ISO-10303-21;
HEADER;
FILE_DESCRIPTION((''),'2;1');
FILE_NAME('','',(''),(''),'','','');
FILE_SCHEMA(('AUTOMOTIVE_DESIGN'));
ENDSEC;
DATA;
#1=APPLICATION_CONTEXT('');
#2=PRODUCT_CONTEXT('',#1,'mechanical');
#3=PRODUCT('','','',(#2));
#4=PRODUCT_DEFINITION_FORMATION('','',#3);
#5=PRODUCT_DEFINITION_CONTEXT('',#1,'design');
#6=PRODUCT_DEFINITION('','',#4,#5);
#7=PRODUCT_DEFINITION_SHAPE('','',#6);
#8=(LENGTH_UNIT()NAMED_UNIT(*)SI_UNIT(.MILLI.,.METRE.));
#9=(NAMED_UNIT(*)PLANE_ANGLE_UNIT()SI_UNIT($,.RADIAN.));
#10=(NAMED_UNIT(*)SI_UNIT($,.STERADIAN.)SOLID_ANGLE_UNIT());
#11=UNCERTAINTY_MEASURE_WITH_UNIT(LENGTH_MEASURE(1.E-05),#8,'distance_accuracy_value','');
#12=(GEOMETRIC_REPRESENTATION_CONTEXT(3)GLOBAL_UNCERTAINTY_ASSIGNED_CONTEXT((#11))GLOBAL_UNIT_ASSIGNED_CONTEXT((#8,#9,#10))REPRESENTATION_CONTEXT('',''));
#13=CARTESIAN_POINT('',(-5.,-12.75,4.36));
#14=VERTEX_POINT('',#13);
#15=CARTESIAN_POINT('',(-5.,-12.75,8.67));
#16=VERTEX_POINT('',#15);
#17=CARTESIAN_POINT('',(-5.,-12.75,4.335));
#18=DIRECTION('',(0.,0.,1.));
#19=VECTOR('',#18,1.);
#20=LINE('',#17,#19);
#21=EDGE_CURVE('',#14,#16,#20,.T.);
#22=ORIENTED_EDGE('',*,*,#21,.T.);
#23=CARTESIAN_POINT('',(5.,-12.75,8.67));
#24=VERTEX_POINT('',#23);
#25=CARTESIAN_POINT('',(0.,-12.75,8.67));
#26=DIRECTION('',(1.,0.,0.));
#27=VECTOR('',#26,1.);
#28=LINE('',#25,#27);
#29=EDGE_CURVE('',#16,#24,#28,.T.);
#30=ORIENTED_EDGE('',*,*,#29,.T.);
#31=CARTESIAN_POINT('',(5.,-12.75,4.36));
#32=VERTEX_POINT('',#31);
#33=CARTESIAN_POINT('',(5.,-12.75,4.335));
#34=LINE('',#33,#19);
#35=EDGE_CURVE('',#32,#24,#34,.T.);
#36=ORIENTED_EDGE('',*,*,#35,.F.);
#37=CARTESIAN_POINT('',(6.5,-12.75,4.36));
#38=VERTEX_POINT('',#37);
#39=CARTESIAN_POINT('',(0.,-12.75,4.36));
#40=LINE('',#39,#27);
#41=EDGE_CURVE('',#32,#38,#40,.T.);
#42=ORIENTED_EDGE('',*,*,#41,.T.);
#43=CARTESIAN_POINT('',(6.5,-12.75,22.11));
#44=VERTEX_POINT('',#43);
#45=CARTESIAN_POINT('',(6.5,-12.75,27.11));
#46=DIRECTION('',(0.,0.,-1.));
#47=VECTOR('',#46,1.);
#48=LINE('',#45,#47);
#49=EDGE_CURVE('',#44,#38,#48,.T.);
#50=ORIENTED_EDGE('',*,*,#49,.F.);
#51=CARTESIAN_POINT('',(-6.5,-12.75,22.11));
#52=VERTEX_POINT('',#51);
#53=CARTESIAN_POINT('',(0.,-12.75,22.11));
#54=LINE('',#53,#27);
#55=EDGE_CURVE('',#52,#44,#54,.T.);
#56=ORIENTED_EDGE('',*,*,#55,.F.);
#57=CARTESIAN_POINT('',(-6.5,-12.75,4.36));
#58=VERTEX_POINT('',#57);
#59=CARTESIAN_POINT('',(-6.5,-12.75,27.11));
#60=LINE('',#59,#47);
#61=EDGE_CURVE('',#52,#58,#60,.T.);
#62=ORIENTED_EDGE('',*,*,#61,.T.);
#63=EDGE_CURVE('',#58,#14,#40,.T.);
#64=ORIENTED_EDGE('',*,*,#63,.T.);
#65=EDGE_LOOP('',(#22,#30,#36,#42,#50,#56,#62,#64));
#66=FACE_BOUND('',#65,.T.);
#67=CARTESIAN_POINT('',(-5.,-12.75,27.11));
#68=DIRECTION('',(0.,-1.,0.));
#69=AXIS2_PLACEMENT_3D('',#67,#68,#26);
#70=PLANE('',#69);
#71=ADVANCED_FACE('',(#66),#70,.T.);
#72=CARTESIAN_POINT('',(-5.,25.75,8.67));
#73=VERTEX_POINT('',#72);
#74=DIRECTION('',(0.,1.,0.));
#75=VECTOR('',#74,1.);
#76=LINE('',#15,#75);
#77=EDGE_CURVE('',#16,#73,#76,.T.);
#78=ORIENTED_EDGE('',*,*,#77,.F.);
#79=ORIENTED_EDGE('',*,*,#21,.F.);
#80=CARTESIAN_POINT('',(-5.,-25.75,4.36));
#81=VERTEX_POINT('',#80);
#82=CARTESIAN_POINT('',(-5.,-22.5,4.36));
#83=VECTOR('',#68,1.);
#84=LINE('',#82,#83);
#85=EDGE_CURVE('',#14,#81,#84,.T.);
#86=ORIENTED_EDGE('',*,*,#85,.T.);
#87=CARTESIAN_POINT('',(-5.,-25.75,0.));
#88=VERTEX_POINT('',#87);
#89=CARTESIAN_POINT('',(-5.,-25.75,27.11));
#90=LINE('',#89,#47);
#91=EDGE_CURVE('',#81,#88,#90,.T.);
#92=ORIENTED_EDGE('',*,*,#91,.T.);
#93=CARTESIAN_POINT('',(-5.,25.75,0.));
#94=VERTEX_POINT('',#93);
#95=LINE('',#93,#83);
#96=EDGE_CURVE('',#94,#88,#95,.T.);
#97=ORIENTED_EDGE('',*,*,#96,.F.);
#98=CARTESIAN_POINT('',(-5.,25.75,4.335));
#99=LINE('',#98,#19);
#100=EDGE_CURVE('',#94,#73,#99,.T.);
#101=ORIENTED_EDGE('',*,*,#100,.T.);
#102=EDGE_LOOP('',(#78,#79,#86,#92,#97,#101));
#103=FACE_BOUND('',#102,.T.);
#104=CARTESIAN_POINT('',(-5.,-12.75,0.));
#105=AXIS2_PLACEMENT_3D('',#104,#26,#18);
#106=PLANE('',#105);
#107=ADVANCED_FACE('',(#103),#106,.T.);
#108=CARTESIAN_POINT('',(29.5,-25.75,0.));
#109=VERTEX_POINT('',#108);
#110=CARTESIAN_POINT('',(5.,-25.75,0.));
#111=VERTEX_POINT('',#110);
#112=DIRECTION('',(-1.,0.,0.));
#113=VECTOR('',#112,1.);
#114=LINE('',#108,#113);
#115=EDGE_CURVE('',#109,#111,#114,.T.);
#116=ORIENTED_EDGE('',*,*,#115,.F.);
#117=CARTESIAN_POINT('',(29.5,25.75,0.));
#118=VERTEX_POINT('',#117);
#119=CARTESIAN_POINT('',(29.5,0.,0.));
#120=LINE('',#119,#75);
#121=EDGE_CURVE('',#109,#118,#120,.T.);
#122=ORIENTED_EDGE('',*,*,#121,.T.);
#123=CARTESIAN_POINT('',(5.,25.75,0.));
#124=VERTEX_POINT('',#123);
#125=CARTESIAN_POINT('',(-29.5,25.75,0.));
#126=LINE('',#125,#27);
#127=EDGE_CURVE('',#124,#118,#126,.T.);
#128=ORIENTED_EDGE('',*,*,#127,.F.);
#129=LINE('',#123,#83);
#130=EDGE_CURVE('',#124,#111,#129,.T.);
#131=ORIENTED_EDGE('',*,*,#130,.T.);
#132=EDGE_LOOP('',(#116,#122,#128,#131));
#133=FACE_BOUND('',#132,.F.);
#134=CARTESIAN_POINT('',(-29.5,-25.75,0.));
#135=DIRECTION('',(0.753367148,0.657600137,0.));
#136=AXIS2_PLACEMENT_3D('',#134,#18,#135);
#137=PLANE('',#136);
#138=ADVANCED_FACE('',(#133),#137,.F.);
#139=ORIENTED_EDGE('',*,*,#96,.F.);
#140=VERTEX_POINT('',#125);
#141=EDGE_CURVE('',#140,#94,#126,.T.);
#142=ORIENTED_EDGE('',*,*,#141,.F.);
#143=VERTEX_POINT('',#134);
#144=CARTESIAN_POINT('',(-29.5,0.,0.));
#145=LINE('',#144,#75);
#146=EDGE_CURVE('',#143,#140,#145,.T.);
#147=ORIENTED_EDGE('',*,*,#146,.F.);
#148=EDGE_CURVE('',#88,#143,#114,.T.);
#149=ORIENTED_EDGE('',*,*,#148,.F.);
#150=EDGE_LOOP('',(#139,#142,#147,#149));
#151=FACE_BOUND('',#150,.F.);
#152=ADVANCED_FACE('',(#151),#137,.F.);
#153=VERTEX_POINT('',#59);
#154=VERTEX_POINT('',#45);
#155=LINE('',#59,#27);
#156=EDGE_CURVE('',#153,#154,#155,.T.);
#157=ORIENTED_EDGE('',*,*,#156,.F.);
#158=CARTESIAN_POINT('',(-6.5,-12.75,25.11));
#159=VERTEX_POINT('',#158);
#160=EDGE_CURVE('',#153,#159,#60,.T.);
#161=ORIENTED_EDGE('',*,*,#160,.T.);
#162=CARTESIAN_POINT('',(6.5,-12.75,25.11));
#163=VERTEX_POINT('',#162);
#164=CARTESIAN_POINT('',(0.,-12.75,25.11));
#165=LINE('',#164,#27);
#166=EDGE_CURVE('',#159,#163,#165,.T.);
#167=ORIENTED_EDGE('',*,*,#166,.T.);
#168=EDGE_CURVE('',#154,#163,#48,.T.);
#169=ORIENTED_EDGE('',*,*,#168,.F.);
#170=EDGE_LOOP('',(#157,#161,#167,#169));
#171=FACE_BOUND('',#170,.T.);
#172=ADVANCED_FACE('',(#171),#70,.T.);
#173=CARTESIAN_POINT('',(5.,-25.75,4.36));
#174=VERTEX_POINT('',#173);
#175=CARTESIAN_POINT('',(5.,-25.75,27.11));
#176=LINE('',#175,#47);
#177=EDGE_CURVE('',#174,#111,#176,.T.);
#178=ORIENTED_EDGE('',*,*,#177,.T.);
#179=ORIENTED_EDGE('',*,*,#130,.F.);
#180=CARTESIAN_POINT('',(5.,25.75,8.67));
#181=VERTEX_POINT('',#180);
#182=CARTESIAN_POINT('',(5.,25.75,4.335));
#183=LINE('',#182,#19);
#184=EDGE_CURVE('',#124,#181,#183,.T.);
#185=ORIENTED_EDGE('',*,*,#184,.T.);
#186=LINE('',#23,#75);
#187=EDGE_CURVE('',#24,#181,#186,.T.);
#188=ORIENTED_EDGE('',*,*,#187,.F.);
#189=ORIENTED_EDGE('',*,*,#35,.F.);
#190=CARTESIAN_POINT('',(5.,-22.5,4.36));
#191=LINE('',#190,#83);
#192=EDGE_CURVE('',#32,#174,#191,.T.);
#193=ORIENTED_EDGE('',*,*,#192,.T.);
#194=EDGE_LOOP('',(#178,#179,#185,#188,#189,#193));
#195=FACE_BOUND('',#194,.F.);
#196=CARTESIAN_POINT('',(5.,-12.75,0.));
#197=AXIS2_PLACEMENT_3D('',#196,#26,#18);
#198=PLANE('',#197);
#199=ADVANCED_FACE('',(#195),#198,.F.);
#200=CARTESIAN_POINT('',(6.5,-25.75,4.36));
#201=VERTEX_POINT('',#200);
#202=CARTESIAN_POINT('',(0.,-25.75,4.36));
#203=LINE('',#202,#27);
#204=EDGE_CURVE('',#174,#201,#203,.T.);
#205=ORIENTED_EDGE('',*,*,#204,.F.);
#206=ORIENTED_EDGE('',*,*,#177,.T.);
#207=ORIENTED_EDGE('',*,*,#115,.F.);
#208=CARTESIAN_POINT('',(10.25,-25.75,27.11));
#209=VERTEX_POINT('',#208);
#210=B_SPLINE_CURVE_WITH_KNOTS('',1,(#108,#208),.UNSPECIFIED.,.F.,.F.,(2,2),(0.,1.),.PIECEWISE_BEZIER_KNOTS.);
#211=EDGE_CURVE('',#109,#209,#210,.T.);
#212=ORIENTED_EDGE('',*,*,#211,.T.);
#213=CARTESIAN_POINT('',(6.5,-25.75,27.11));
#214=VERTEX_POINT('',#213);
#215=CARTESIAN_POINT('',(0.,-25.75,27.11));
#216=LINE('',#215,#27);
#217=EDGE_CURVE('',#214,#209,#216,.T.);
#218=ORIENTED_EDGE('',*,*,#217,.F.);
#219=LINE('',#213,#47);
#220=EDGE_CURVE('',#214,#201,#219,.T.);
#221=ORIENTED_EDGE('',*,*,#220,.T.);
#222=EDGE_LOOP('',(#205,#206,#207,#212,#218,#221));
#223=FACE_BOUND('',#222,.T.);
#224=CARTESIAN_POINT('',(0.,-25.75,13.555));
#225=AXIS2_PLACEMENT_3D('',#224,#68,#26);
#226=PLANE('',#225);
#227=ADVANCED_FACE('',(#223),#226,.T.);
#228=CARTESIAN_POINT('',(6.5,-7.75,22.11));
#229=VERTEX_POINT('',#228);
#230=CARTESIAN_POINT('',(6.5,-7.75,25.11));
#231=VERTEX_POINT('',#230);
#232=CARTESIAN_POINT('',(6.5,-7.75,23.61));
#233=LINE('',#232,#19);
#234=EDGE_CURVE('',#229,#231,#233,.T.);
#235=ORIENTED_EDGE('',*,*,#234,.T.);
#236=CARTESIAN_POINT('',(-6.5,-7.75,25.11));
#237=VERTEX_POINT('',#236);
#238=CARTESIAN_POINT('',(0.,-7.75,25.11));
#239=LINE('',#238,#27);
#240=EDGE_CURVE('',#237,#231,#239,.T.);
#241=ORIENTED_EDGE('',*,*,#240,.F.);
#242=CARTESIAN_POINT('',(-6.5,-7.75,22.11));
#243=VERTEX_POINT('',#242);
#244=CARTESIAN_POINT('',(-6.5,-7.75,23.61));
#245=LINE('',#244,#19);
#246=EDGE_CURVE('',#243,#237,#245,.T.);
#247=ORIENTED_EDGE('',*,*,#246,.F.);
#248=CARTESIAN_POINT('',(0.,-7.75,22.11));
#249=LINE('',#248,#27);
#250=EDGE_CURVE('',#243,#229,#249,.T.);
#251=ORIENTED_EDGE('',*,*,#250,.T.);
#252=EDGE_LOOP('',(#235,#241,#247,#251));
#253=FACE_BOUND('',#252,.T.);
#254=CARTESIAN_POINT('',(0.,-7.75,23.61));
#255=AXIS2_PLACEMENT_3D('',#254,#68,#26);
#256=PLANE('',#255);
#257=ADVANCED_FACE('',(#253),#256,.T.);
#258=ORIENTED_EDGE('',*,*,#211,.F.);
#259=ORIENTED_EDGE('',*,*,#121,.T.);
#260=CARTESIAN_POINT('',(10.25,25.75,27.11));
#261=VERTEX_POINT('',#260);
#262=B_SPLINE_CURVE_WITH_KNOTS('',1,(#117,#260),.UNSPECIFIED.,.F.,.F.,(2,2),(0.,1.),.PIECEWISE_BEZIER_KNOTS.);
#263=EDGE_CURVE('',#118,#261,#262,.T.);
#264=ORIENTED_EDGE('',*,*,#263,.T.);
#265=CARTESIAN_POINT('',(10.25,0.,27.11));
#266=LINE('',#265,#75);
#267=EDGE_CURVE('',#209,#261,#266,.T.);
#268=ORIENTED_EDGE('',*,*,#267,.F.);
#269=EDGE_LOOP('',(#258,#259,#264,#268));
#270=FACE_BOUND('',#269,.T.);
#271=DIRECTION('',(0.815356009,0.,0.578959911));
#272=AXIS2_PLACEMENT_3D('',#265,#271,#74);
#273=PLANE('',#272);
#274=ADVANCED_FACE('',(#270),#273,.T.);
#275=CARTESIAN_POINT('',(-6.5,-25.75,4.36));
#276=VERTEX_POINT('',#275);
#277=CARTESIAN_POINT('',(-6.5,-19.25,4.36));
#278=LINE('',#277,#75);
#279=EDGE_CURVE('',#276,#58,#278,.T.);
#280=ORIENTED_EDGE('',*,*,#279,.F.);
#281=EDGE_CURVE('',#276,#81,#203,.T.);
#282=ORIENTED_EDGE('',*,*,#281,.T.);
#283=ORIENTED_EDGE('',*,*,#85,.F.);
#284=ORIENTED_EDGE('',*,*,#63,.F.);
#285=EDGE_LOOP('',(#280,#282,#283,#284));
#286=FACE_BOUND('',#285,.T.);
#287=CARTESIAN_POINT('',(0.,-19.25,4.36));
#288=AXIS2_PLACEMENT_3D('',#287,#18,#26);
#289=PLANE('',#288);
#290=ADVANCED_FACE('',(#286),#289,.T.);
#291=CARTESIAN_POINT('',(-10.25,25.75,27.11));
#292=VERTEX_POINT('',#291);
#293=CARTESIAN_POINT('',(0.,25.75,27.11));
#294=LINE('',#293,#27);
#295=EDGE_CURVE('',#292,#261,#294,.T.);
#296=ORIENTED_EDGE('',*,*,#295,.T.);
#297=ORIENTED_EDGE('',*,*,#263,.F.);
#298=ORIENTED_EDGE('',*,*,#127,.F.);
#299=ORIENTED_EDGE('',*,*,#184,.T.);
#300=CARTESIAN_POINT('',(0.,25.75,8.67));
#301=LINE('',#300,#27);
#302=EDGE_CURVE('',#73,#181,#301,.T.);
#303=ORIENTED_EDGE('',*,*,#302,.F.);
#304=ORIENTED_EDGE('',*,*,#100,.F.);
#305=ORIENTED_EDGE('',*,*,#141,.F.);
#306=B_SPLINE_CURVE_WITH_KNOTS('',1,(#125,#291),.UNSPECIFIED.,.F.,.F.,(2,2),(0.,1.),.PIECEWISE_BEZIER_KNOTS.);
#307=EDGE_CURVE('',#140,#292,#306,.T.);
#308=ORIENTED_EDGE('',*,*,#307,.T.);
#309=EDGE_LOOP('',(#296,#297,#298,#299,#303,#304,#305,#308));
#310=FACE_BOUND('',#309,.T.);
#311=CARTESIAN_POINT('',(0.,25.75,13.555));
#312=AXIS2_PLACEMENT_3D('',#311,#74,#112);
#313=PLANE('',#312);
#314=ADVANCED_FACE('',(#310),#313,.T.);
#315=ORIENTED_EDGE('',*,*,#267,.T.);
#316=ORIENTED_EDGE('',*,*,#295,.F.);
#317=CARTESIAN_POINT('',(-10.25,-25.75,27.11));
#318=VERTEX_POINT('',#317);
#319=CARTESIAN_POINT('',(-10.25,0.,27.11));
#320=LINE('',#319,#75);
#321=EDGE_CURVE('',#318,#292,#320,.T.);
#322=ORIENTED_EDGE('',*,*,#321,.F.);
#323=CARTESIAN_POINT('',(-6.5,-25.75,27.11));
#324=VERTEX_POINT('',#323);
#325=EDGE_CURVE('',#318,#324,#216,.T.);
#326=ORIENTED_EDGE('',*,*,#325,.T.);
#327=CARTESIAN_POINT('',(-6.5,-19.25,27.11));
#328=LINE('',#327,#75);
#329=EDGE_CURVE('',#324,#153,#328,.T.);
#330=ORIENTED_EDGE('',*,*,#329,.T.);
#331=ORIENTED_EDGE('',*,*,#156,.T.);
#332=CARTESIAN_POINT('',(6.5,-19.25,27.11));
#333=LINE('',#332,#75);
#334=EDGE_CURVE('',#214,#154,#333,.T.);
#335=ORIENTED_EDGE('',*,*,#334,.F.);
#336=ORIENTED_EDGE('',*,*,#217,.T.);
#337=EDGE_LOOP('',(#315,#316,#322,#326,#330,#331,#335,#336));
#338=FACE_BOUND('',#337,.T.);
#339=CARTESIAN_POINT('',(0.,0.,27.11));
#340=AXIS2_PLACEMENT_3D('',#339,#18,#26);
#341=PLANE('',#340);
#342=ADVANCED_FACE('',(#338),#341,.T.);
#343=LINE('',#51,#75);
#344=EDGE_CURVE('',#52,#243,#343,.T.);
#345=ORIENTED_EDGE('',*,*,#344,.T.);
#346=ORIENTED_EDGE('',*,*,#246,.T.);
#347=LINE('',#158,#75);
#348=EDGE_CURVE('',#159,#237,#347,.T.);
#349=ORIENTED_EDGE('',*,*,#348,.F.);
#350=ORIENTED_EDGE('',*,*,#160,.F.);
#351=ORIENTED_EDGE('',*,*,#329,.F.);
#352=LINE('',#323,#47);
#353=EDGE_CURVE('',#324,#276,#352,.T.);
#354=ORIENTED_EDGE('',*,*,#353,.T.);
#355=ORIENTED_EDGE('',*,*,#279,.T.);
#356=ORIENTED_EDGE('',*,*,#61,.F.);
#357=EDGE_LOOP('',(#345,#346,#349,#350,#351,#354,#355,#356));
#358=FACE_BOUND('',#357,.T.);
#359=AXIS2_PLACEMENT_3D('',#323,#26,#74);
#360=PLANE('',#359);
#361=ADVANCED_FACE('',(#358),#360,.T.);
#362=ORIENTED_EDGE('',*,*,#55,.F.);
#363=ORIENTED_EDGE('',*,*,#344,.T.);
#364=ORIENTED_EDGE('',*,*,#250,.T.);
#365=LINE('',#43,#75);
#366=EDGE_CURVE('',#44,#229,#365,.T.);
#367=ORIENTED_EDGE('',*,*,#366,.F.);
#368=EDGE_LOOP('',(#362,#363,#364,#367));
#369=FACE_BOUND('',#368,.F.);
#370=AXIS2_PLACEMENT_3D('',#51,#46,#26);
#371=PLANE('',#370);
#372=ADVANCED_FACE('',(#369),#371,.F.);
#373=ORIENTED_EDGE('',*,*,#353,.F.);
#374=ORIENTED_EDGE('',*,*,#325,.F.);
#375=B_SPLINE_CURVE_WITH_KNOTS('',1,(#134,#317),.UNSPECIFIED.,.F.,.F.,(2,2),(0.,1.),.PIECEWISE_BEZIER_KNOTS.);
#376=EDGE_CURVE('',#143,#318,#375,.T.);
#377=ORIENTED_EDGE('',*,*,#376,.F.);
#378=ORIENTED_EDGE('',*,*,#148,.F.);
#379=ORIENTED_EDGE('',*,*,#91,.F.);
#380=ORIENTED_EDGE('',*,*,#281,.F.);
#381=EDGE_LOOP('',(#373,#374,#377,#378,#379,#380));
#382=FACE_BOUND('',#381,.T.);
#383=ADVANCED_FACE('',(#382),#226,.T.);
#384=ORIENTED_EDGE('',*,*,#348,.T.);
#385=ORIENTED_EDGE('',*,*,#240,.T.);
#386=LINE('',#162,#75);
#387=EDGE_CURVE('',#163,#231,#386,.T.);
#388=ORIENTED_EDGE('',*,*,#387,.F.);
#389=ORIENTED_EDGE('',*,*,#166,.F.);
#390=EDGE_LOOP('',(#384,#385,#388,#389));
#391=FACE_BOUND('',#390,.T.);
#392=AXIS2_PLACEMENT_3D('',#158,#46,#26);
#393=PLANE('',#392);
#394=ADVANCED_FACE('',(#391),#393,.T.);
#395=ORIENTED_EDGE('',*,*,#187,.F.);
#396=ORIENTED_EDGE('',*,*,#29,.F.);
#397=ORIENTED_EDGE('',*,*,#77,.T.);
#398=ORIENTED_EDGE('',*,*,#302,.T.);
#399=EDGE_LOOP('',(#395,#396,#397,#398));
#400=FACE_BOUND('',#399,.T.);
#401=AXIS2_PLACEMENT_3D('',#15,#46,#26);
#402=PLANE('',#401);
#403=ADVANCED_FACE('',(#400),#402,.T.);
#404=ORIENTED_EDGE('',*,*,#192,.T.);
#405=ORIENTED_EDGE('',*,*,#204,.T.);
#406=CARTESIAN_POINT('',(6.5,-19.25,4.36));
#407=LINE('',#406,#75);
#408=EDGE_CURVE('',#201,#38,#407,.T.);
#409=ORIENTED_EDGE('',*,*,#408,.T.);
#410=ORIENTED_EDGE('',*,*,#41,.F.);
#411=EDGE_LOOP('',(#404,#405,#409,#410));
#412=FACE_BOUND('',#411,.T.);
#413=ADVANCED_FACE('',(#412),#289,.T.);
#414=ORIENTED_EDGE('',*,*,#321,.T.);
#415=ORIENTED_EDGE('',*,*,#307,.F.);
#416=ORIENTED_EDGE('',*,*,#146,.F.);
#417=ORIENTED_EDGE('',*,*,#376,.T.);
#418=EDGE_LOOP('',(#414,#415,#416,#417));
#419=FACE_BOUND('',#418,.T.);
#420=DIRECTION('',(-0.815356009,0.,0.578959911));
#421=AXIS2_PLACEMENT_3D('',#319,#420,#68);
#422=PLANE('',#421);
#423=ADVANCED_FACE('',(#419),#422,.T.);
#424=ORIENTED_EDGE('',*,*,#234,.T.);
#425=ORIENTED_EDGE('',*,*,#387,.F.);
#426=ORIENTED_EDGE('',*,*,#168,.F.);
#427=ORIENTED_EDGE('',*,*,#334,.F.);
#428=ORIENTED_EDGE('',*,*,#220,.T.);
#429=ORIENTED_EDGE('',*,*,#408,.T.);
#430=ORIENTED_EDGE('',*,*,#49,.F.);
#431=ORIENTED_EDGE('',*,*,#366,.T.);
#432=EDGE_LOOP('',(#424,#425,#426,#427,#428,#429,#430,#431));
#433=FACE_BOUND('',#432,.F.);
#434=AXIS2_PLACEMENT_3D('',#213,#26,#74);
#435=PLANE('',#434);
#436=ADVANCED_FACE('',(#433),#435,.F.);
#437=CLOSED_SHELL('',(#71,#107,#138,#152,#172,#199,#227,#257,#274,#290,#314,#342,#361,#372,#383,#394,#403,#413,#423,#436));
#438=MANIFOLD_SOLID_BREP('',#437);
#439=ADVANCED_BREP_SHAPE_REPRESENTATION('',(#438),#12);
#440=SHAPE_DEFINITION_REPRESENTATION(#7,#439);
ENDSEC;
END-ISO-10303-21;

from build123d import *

# Parameters (mm, degrees)
F1_W      = 20.5
F1_H      = 51.5
F2_DEPTH  = 27.11
F4_W      = 59
F4_H      = 51.5
F3_W      = 20.5
F3_H      = 51.5
F6_W      = 10
F6_H      = 13
F7_DEPTH  = 27.11
F8_W      = 13
F8_H      = 13
F9_DEPTH  = 22.75
F10_W     = 10
F10_H     = 8.67
F11_DEPTH = 38.5
F12_W     = 13
F12_H     = 3
F13_DEPTH = 5


with BuildPart() as f2:
    # F1 (on face) → F2 (new body)
    with BuildSketch(Plane.XY):
        Rectangle(F1_W, F1_H)
    extrude(amount=F2_DEPTH)

    # F4 (on face) → F5 section 0
    with BuildSketch(Plane.XY):
        Rectangle(F4_W, F4_H)
    # F3 (on face) → F5 section 1
    with BuildSketch(Plane.XY.offset(27.11)):
        Rectangle(F3_W, F3_H)
    loft()

    # F6 (on face) → F7 (cut, through all)
    with BuildSketch(Plane.XY.offset(27.11)):
        with Locations((0, -19.25)):
            Rectangle(F6_W, F6_H)
    extrude(amount=-F7_DEPTH, mode=Mode.SUBTRACT)

    # F8 (on face) → F9 (cut)
    with BuildSketch(Plane.XY.offset(27.11)):
        with Locations((0, -19.25)):
            Rectangle(F8_W, F8_H)
    extrude(amount=-F9_DEPTH, mode=Mode.SUBTRACT)

    # F10 (on face) → F11 (cut, through all)
    with BuildSketch(Plane.XZ.offset(12.75)):
        with Locations((0, 4.335)):
            Rectangle(F10_W, F10_H)
    extrude(amount=-F11_DEPTH, mode=Mode.SUBTRACT)

    # F12 (on face) → F13 (cut)
    with BuildSketch(Plane.XZ.offset(12.75)):
        with Locations((0, 23.61)):
            Rectangle(F12_W, F12_H)
    extrude(amount=-F13_DEPTH, mode=Mode.SUBTRACT)


solid = f2.part
